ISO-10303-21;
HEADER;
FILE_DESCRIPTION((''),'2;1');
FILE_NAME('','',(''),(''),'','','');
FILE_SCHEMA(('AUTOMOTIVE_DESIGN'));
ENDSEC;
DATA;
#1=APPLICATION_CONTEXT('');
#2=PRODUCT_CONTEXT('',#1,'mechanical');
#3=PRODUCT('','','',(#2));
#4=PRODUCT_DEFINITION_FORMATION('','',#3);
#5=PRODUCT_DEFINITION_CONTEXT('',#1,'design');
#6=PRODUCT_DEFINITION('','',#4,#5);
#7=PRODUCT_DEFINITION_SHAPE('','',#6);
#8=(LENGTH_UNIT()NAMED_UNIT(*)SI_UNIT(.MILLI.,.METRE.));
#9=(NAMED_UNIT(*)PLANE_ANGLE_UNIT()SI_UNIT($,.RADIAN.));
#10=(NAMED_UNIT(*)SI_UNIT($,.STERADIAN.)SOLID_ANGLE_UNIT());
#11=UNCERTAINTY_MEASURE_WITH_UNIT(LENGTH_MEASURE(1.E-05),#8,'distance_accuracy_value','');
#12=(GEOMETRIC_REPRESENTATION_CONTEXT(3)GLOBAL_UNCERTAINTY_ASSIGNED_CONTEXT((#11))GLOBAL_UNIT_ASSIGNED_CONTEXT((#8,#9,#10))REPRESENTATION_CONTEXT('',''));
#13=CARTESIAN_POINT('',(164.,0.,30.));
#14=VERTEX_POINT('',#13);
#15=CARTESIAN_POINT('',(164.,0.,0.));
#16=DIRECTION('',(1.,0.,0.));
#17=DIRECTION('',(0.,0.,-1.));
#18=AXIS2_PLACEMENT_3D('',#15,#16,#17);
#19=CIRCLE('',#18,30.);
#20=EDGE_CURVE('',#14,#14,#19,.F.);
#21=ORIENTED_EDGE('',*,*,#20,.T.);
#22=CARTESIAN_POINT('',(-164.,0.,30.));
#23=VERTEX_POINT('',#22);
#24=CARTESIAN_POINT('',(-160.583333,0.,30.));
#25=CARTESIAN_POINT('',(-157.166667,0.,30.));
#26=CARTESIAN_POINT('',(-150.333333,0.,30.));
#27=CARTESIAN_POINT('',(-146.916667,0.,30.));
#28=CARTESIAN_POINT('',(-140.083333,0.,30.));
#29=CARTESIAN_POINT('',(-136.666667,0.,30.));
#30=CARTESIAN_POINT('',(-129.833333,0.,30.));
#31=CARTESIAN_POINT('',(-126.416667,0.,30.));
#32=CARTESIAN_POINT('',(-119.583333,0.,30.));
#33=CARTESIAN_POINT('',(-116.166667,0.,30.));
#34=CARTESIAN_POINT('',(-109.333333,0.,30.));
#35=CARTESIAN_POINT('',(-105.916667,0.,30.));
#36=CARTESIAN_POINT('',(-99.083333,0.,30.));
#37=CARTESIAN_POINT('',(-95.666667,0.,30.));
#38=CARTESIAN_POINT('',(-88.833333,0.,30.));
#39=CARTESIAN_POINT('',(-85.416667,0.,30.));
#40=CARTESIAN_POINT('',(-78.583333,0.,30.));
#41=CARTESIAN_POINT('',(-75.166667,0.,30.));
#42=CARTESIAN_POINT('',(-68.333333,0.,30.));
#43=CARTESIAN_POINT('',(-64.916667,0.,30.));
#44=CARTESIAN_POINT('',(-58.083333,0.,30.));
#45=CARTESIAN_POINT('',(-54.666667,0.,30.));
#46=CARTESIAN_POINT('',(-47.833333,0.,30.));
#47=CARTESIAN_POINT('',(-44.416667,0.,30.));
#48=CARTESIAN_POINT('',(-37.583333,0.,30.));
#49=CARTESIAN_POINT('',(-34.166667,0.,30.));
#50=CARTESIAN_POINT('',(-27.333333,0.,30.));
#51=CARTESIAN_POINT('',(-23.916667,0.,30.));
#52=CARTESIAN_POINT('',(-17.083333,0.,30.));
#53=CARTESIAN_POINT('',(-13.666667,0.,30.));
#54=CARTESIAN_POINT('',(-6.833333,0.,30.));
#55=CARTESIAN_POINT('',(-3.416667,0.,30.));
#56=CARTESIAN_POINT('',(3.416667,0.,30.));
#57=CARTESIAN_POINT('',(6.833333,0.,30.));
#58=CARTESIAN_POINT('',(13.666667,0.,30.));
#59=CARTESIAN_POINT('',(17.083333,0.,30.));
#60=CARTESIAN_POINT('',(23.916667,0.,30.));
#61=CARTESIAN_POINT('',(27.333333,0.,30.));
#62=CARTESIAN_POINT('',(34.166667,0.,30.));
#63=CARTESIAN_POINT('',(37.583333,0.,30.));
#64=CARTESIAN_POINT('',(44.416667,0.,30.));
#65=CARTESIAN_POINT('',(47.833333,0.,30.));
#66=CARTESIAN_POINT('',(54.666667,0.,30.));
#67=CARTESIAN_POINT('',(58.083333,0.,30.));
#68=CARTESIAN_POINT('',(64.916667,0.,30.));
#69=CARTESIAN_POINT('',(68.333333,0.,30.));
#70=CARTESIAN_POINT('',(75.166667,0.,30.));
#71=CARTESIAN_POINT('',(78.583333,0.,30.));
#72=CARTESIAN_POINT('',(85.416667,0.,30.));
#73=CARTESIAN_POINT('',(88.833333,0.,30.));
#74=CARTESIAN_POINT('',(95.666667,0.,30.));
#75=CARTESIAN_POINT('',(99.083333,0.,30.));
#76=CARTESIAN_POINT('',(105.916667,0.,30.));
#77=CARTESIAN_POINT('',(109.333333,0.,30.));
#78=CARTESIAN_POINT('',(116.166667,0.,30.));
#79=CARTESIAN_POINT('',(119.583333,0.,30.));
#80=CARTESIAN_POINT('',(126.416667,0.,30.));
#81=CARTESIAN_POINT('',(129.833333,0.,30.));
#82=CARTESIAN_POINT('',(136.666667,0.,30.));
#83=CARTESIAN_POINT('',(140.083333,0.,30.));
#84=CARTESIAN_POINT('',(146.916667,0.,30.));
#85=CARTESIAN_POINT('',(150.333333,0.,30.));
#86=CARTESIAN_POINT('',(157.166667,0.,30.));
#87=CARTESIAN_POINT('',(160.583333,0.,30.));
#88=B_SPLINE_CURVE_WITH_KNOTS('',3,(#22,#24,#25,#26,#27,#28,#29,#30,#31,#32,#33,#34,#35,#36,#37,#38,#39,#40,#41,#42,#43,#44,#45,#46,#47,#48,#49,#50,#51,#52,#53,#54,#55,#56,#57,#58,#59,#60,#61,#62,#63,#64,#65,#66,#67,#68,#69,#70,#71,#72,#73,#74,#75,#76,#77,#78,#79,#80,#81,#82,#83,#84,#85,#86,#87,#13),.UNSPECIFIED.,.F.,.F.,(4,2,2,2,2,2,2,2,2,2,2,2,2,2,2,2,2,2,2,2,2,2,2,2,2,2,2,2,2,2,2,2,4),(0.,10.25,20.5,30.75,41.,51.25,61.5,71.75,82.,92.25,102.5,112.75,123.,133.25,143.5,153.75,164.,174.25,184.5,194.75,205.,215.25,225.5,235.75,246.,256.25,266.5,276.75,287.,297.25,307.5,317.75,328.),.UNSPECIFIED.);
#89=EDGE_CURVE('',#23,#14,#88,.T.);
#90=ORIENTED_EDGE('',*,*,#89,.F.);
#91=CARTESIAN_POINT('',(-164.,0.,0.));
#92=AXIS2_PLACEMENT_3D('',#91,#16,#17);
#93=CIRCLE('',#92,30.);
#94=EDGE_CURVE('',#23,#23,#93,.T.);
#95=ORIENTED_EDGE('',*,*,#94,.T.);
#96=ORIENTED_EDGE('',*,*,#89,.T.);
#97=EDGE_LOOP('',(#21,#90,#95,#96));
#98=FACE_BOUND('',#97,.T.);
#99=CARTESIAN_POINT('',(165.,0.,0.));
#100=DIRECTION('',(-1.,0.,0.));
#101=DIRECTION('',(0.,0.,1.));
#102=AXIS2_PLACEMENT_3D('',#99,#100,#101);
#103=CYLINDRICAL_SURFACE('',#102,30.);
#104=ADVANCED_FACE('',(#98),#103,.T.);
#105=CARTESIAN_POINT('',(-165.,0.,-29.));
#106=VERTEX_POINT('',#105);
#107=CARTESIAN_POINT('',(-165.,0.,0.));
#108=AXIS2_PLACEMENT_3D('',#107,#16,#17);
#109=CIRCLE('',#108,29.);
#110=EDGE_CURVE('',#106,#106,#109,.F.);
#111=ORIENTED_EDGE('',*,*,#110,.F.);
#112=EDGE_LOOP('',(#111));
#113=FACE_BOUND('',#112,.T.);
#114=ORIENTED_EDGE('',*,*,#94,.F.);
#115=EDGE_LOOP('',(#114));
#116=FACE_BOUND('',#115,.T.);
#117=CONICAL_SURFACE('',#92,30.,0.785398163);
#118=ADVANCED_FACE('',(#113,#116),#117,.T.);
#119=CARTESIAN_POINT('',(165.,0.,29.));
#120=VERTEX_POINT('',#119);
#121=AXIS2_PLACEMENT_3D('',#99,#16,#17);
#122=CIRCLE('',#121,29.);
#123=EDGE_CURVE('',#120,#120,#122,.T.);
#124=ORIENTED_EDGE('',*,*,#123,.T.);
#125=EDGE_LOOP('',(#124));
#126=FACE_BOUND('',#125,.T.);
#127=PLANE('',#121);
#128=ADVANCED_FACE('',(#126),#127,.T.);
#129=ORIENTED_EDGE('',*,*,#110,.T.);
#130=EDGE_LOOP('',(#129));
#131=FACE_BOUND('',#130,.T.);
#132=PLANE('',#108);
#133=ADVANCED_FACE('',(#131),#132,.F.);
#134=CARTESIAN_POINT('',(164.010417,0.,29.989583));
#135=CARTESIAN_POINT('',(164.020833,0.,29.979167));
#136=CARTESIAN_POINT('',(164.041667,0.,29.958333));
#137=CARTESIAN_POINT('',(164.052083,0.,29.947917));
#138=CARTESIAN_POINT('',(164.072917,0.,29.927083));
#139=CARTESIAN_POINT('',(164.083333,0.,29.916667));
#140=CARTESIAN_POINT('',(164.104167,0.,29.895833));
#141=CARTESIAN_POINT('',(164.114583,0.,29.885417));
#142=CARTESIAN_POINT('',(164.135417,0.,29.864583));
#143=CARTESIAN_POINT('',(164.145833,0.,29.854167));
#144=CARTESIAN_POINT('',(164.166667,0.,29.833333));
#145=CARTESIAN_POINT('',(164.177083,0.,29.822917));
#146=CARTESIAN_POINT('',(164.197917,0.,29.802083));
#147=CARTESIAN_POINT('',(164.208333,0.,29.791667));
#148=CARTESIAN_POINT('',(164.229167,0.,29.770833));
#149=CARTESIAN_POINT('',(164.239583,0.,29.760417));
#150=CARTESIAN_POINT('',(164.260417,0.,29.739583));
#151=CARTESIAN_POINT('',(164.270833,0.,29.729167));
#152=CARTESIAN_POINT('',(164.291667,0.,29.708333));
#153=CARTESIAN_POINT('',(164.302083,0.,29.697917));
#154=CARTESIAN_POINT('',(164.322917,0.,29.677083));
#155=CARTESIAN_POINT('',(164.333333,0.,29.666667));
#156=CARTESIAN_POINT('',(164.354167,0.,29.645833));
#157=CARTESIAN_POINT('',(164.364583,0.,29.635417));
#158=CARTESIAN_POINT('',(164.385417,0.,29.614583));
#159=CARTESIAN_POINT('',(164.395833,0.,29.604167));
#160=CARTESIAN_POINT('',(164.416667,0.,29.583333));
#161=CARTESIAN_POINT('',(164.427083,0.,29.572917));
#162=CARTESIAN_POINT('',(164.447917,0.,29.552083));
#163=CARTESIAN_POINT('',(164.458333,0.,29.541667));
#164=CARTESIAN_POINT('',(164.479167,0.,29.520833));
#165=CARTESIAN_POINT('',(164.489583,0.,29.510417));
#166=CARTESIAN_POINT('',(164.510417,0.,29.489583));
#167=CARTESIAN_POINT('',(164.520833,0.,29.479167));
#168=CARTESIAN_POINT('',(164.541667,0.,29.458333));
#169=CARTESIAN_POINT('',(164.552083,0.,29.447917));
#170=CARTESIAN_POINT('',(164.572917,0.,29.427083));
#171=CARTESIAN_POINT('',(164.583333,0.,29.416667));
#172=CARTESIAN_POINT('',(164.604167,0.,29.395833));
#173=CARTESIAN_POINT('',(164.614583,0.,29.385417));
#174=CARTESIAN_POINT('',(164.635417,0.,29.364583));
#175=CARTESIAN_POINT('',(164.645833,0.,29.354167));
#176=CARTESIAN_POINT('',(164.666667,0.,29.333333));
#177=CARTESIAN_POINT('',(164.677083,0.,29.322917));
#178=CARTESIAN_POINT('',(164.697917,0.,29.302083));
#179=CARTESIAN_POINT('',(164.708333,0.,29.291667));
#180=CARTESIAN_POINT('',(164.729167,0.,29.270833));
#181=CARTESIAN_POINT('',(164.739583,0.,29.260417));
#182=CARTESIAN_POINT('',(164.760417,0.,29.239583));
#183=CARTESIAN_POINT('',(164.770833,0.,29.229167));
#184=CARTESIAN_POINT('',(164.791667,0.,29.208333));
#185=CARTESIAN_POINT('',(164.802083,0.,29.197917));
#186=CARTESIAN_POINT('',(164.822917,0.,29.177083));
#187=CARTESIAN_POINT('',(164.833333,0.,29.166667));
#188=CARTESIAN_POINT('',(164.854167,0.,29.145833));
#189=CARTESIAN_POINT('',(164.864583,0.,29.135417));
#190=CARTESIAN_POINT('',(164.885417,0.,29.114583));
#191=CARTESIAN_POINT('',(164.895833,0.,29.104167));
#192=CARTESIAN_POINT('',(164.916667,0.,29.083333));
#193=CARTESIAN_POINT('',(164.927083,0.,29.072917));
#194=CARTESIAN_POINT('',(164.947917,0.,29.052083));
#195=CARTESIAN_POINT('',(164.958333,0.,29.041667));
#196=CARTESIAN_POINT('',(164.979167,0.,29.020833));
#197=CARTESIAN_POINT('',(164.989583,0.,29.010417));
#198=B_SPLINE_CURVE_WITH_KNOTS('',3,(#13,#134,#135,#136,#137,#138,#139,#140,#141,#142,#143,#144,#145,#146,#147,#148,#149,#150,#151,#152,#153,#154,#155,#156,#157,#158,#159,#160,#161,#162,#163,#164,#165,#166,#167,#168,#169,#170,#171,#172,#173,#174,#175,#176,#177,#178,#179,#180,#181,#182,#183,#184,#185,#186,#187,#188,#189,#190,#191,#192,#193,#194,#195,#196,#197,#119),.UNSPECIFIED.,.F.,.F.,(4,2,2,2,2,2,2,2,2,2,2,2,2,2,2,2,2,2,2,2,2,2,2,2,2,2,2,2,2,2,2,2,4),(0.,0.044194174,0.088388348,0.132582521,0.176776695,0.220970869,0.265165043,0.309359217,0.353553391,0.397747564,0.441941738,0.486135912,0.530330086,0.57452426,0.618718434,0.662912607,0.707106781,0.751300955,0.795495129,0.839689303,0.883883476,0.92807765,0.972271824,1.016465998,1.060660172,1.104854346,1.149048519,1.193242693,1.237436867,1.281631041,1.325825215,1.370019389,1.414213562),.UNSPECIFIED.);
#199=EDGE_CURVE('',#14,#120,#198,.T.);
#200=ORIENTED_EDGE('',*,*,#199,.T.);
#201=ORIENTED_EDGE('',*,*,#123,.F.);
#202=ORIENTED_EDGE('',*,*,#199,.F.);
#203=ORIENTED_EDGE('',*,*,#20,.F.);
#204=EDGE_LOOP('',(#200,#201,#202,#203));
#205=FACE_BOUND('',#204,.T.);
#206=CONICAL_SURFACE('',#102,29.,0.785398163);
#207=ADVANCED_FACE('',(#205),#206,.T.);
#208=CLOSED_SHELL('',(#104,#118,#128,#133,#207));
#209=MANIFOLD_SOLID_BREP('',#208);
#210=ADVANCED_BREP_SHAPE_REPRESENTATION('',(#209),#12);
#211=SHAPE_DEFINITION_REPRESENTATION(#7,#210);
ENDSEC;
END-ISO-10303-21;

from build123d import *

# Parameters (mm, degrees)
SKETCH_1_R      = 30
EXTRUDE_1_DEPTH = 165
CHAMFER_1_SIZE  = 1


with BuildPart() as part:
    # 草图1 → 凸台-拉伸1 (new, symmetric)
    with BuildSketch(Plane(origin=(0, 0, 0), x_dir=(0, -1, 0), z_dir=(1, 0, 0))):
        with Locations(Location((0, 0, 0), (0, 0, 90))):
            Circle(SKETCH_1_R)
    extrude(amount=EXTRUDE_1_DEPTH, both=True)

    # 倒角1
    chamfer_1_edges = [part.edges().sort_by_distance(p)[0] for p in [
        (-165, 0, 30),
        (165, 0, 30),
    ]]
    chamfer(chamfer_1_edges, length=CHAMFER_1_SIZE)


solid = part.part
